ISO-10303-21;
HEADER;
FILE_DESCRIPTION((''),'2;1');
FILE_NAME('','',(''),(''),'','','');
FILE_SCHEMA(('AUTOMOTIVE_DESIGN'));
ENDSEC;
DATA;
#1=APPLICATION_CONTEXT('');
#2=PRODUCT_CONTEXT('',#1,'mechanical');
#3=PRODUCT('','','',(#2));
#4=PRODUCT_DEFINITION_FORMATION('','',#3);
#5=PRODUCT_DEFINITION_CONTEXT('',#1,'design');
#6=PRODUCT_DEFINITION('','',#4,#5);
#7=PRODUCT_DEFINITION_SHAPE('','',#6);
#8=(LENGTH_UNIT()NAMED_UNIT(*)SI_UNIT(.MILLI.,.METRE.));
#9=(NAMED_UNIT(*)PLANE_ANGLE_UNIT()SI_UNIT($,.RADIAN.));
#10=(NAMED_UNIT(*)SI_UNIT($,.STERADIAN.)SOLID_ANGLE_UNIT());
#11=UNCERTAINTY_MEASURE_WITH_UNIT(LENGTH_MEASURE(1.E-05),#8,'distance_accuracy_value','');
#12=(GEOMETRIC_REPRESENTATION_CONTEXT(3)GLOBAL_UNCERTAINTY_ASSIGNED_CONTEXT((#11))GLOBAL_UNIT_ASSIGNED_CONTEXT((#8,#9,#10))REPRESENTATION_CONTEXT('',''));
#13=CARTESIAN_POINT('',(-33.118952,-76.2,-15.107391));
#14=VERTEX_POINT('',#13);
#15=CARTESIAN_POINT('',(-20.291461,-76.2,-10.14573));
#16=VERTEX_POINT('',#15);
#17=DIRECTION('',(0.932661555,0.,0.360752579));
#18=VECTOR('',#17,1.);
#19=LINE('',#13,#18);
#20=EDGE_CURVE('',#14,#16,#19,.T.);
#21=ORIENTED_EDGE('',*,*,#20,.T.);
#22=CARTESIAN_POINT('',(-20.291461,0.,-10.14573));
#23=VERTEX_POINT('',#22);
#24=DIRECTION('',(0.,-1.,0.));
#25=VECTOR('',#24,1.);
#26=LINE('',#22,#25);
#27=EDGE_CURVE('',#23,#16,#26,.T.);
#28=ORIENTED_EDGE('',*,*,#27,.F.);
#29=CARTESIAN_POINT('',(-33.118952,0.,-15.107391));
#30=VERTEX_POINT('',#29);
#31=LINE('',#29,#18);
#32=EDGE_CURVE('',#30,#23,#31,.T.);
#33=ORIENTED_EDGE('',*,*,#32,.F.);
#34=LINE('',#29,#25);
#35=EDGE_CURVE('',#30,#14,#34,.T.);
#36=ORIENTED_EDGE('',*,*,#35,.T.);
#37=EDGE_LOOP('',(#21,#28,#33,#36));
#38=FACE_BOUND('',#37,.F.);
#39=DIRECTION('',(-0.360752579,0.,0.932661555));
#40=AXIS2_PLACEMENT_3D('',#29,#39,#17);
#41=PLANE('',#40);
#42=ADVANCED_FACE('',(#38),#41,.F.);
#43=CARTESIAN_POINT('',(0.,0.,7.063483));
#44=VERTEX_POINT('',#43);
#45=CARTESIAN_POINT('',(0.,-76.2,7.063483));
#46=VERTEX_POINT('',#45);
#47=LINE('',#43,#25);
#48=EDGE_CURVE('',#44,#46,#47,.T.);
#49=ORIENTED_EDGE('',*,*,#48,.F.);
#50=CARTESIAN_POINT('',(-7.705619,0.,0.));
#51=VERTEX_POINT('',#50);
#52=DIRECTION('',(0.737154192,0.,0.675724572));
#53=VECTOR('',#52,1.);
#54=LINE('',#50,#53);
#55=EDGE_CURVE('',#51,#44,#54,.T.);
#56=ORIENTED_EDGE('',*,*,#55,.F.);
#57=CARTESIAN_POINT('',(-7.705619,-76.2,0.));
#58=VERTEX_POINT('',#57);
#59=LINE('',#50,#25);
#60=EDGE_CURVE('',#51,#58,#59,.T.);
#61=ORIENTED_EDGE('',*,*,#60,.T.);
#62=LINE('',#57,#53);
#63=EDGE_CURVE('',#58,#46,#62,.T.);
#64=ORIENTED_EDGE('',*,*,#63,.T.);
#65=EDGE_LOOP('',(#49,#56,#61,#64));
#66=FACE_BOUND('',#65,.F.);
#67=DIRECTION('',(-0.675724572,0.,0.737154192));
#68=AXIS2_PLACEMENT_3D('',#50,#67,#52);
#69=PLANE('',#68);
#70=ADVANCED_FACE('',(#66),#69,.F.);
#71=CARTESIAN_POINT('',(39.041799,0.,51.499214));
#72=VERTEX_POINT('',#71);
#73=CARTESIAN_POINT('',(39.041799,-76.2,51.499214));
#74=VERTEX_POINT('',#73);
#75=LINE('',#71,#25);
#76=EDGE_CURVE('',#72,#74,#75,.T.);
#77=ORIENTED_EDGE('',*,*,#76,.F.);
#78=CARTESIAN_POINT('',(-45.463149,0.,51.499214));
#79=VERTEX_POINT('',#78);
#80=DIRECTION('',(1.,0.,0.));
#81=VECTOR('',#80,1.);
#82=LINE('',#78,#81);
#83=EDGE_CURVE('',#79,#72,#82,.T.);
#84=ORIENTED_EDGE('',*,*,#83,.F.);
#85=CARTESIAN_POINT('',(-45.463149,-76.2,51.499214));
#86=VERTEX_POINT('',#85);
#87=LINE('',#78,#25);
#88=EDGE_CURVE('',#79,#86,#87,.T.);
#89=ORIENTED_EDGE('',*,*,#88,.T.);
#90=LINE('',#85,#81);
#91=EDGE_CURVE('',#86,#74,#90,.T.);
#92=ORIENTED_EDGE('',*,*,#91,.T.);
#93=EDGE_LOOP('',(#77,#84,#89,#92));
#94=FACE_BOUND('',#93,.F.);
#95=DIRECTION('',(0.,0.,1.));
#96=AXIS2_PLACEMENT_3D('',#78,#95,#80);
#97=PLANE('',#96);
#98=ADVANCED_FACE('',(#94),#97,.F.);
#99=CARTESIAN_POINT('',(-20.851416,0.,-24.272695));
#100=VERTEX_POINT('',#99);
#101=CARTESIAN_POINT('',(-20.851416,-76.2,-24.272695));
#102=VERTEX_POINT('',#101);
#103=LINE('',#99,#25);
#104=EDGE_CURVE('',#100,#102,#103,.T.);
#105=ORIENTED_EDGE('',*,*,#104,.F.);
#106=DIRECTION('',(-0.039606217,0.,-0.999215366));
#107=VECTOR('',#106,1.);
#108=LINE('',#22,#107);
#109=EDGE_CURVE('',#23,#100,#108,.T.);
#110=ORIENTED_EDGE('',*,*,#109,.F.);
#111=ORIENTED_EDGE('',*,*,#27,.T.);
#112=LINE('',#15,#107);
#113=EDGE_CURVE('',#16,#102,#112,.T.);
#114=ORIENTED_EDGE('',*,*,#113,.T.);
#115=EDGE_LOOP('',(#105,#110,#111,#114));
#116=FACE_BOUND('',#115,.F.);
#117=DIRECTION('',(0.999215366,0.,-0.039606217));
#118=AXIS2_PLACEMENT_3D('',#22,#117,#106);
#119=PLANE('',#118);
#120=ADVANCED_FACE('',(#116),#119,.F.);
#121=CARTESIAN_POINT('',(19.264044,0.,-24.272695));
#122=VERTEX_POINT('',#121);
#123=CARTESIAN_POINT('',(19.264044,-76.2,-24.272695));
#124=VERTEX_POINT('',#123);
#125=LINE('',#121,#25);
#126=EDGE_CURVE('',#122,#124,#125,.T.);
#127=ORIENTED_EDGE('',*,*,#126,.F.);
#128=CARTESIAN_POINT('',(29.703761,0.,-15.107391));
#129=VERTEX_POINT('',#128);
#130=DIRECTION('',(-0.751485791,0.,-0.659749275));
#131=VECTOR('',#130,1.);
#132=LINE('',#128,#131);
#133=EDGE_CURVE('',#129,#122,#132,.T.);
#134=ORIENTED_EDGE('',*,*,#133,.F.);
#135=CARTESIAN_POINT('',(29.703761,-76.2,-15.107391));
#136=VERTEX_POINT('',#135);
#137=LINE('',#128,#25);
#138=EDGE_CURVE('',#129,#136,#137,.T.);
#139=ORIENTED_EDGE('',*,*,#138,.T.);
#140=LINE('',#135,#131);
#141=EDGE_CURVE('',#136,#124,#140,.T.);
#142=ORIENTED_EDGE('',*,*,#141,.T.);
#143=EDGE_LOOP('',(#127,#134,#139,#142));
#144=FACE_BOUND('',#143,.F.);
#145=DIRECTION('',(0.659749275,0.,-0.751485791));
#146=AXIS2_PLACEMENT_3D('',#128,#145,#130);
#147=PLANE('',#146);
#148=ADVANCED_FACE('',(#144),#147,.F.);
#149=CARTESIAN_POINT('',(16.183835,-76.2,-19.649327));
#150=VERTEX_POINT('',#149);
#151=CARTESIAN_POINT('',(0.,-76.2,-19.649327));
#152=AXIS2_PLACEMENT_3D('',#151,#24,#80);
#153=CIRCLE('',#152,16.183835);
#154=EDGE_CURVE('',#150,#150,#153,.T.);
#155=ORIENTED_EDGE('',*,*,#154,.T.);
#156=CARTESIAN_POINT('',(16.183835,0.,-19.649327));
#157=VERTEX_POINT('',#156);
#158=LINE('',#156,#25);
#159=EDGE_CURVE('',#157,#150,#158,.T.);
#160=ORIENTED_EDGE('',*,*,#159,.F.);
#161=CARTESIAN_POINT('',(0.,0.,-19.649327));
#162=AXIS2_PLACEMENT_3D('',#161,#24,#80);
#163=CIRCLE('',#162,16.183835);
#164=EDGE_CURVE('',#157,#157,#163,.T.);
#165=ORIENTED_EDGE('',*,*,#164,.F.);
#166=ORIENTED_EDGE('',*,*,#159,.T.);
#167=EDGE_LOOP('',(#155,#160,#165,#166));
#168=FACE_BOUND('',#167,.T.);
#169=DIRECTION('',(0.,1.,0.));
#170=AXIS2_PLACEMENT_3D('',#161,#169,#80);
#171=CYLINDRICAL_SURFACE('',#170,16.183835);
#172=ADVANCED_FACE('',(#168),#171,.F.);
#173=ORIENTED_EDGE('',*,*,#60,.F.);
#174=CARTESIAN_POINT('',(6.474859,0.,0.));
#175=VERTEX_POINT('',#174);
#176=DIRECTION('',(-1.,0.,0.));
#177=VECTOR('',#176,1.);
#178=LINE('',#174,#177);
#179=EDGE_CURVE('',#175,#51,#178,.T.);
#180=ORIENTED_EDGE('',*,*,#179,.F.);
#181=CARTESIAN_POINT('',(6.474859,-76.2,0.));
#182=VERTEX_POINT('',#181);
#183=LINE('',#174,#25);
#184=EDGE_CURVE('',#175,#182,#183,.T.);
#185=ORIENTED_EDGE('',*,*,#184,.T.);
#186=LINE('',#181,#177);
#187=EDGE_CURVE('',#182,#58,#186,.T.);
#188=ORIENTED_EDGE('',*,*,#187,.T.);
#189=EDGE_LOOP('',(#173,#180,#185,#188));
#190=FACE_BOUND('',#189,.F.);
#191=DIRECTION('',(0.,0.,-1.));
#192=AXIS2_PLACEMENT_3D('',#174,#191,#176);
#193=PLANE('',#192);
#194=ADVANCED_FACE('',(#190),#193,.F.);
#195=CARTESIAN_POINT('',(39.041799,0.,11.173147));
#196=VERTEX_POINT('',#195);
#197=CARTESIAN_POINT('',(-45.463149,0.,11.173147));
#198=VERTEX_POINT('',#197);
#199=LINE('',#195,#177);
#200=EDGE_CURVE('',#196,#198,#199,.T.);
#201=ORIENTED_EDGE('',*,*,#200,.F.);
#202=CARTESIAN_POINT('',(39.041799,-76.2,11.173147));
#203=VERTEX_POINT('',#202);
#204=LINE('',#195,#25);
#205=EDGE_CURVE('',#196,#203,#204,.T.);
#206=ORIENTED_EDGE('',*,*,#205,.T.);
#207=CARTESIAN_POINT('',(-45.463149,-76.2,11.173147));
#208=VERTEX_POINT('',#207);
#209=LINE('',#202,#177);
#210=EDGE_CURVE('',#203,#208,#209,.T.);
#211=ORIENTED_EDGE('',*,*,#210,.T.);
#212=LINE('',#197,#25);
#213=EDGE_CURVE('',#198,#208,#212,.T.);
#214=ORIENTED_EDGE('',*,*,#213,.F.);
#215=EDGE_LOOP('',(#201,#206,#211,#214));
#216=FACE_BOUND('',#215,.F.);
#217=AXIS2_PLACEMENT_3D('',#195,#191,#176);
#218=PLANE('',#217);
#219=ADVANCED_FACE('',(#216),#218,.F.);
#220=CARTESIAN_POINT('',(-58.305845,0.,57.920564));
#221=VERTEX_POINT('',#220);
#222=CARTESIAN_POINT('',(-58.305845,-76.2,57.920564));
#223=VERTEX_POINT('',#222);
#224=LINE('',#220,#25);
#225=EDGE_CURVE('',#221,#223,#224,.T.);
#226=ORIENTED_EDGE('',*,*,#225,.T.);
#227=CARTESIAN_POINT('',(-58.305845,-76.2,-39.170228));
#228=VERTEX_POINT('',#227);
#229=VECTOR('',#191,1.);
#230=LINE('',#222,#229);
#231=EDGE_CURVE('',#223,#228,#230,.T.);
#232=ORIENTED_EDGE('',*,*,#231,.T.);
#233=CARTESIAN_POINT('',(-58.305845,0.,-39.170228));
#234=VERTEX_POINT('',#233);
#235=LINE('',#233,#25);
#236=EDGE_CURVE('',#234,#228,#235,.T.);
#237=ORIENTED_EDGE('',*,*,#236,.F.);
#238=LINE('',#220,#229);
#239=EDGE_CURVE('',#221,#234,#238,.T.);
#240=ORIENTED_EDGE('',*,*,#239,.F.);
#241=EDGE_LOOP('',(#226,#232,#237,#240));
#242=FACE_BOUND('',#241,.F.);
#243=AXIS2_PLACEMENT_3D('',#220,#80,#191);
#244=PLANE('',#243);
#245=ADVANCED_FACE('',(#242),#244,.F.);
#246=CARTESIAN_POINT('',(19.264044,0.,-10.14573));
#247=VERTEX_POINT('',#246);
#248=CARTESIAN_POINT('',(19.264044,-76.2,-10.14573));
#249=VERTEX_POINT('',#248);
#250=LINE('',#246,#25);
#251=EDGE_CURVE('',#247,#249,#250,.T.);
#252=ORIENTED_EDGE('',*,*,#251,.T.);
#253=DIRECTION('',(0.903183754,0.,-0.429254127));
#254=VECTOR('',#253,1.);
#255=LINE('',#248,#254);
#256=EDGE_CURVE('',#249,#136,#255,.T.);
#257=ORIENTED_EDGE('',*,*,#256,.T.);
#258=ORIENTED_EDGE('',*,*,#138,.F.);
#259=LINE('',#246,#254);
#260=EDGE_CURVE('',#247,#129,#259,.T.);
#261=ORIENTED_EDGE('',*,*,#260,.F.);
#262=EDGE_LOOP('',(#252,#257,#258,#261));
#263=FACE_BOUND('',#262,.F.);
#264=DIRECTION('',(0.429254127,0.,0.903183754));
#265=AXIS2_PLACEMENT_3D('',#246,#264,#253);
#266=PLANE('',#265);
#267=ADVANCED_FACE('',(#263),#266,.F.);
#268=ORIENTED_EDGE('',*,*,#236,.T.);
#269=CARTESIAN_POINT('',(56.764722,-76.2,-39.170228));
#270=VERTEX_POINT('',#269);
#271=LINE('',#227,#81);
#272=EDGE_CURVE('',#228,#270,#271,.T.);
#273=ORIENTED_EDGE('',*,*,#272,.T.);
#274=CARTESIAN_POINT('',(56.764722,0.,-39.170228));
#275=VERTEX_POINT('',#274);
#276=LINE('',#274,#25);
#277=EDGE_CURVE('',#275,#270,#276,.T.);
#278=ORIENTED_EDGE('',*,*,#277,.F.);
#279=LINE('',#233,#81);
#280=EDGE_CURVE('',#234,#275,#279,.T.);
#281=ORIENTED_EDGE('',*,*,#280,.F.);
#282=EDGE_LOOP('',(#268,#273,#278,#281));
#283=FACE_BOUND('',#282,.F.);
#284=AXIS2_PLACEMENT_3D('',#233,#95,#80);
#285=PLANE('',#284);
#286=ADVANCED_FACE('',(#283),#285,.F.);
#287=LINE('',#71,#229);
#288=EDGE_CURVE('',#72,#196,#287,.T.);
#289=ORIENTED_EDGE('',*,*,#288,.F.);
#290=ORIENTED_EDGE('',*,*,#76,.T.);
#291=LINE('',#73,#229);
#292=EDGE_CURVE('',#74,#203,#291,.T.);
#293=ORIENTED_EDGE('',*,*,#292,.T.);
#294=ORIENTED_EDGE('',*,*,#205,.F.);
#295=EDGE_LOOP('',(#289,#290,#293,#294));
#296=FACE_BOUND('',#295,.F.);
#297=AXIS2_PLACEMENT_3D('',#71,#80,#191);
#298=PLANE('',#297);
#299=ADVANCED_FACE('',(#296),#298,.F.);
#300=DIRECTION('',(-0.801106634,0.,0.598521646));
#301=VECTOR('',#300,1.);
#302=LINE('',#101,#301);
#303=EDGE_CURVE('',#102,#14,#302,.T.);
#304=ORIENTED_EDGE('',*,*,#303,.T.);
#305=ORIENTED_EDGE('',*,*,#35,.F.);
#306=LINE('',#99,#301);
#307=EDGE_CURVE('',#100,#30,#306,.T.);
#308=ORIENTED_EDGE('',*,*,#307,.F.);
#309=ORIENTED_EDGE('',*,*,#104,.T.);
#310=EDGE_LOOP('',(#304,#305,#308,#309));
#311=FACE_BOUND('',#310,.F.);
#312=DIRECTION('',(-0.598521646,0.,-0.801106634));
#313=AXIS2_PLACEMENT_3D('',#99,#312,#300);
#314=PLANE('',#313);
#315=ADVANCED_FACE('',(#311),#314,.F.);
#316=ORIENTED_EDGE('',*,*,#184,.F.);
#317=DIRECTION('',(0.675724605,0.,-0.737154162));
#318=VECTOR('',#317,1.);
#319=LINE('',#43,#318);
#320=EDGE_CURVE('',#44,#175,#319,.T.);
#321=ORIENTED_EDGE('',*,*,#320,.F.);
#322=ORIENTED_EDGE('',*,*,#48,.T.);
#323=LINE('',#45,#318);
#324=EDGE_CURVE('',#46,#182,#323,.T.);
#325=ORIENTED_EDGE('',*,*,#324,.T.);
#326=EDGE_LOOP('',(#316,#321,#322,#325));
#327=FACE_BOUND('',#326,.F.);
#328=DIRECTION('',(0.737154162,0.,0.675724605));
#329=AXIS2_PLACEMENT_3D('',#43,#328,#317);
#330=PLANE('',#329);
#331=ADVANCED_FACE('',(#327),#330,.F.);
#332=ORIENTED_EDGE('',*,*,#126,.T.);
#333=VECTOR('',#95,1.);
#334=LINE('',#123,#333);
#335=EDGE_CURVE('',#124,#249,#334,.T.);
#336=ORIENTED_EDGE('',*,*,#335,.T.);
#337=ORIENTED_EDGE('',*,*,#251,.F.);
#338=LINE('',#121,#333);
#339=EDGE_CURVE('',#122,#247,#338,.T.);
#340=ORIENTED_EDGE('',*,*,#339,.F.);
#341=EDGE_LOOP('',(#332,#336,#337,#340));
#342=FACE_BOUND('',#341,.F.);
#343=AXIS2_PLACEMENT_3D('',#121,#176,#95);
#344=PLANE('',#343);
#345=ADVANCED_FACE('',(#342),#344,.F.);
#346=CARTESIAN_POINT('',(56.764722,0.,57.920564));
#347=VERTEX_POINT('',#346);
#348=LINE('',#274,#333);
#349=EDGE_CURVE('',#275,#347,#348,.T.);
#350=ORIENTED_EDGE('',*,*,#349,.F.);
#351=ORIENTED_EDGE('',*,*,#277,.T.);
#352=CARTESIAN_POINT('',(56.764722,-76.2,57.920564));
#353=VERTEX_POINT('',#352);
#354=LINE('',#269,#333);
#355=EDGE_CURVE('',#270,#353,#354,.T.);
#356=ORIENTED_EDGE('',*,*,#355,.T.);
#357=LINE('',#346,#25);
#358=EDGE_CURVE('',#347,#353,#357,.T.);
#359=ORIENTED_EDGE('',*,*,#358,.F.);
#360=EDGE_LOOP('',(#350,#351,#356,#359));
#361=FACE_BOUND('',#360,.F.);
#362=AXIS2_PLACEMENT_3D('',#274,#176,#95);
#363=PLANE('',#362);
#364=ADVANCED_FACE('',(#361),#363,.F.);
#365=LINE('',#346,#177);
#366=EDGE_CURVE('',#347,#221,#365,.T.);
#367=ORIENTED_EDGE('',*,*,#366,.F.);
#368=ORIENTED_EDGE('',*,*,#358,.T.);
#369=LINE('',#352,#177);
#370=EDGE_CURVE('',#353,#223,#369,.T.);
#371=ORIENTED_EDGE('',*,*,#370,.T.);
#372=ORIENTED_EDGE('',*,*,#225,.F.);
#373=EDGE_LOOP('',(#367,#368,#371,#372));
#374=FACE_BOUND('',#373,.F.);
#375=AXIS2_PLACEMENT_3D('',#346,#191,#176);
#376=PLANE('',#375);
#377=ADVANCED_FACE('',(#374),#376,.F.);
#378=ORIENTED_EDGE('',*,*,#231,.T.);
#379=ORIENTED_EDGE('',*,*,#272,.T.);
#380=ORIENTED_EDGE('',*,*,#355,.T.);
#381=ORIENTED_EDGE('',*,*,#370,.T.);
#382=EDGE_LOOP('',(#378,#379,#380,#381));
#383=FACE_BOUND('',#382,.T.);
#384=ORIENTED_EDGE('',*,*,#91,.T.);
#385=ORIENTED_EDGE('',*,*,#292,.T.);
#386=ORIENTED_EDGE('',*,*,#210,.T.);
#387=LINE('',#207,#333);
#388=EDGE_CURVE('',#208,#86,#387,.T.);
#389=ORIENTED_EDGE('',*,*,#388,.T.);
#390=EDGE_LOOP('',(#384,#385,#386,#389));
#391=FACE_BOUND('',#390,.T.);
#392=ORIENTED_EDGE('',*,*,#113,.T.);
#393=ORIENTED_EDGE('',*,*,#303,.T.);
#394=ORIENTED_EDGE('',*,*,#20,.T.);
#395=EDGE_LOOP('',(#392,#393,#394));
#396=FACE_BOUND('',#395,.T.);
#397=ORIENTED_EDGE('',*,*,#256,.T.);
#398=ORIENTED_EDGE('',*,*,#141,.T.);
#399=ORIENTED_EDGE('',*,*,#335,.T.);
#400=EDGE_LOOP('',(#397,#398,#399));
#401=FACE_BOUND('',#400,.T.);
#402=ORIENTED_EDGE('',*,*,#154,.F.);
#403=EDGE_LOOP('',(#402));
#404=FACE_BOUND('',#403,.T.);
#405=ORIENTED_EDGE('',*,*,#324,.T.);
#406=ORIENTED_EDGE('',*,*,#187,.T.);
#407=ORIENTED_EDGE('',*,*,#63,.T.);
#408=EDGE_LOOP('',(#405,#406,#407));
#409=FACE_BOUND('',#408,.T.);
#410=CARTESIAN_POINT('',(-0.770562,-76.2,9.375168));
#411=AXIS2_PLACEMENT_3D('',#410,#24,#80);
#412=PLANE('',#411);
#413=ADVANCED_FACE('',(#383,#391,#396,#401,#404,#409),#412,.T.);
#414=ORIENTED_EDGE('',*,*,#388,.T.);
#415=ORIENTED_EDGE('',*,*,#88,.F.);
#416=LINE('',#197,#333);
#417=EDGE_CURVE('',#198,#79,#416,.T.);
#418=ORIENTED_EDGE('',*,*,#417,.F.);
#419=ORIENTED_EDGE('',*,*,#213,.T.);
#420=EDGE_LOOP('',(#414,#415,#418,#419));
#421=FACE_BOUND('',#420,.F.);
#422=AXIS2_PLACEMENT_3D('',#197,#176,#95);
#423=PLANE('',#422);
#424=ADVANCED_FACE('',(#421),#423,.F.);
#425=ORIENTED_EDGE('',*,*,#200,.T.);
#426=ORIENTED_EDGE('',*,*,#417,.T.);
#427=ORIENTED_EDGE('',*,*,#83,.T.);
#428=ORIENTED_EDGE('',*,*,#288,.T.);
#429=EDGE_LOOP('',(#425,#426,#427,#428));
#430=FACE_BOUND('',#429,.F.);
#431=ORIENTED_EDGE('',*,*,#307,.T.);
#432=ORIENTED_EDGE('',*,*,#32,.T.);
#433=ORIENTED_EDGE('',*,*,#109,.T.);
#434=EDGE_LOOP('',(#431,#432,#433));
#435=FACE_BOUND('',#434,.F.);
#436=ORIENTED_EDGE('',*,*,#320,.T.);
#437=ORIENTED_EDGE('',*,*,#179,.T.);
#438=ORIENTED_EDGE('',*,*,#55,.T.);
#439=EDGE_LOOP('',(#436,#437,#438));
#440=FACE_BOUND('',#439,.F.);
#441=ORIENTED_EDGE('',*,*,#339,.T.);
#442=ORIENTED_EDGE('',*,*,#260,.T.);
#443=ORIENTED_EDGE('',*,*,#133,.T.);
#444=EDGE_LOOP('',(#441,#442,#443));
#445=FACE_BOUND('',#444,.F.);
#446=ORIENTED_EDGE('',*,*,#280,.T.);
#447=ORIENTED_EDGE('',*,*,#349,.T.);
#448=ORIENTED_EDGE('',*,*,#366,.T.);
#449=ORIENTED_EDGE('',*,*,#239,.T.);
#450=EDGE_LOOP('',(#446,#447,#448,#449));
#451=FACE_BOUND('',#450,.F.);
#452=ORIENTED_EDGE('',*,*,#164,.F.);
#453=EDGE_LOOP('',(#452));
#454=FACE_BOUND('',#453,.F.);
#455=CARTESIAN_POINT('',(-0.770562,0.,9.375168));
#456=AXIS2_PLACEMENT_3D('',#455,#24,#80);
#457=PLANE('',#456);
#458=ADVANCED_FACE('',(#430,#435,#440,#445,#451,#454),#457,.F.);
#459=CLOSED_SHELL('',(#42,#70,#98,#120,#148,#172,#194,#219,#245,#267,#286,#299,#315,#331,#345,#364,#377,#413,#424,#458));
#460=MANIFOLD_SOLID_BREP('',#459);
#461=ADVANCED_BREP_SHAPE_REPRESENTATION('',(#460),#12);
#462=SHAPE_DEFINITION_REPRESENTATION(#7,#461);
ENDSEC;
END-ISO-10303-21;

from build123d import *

# Parameters (mm, degrees)
F0_R     = 16.183835
F1_DEPTH = 76.2


with BuildPart() as f1:
    # F0 (on Front) → F1 (new body)
    with BuildSketch(Plane.XZ):
        Polygon((56.764722, 57.920564), (0, 57.920564), (-58.305845, 57.920564), (-58.305845, -39.170228), (56.764722, -39.170228), align=None)
        Polygon((-33.118952, -15.107391), (-20.291461, -10.14573), (-20.851416, -24.272695), align=None, mode=Mode.SUBTRACT)
        with Locations((0, -19.649327)):
            Circle(F0_R, mode=Mode.SUBTRACT)
        Polygon((19.264044, -24.272695), (19.264044, -10.14573), (29.703761, -15.107391), align=None, mode=Mode.SUBTRACT)
        Polygon((6.474859, 0), (-7.705619, 0), (0, 7.063483), align=None, mode=Mode.SUBTRACT)
        Polygon((-2.311687, 51.499214), (0, 51.499214), (39.041799, 51.499214), (39.041799, 11.173147), (-45.463149, 11.173147), (-45.463149, 51.499214), align=None, mode=Mode.SUBTRACT)
    extrude(amount=F1_DEPTH)


solid = f1.part
